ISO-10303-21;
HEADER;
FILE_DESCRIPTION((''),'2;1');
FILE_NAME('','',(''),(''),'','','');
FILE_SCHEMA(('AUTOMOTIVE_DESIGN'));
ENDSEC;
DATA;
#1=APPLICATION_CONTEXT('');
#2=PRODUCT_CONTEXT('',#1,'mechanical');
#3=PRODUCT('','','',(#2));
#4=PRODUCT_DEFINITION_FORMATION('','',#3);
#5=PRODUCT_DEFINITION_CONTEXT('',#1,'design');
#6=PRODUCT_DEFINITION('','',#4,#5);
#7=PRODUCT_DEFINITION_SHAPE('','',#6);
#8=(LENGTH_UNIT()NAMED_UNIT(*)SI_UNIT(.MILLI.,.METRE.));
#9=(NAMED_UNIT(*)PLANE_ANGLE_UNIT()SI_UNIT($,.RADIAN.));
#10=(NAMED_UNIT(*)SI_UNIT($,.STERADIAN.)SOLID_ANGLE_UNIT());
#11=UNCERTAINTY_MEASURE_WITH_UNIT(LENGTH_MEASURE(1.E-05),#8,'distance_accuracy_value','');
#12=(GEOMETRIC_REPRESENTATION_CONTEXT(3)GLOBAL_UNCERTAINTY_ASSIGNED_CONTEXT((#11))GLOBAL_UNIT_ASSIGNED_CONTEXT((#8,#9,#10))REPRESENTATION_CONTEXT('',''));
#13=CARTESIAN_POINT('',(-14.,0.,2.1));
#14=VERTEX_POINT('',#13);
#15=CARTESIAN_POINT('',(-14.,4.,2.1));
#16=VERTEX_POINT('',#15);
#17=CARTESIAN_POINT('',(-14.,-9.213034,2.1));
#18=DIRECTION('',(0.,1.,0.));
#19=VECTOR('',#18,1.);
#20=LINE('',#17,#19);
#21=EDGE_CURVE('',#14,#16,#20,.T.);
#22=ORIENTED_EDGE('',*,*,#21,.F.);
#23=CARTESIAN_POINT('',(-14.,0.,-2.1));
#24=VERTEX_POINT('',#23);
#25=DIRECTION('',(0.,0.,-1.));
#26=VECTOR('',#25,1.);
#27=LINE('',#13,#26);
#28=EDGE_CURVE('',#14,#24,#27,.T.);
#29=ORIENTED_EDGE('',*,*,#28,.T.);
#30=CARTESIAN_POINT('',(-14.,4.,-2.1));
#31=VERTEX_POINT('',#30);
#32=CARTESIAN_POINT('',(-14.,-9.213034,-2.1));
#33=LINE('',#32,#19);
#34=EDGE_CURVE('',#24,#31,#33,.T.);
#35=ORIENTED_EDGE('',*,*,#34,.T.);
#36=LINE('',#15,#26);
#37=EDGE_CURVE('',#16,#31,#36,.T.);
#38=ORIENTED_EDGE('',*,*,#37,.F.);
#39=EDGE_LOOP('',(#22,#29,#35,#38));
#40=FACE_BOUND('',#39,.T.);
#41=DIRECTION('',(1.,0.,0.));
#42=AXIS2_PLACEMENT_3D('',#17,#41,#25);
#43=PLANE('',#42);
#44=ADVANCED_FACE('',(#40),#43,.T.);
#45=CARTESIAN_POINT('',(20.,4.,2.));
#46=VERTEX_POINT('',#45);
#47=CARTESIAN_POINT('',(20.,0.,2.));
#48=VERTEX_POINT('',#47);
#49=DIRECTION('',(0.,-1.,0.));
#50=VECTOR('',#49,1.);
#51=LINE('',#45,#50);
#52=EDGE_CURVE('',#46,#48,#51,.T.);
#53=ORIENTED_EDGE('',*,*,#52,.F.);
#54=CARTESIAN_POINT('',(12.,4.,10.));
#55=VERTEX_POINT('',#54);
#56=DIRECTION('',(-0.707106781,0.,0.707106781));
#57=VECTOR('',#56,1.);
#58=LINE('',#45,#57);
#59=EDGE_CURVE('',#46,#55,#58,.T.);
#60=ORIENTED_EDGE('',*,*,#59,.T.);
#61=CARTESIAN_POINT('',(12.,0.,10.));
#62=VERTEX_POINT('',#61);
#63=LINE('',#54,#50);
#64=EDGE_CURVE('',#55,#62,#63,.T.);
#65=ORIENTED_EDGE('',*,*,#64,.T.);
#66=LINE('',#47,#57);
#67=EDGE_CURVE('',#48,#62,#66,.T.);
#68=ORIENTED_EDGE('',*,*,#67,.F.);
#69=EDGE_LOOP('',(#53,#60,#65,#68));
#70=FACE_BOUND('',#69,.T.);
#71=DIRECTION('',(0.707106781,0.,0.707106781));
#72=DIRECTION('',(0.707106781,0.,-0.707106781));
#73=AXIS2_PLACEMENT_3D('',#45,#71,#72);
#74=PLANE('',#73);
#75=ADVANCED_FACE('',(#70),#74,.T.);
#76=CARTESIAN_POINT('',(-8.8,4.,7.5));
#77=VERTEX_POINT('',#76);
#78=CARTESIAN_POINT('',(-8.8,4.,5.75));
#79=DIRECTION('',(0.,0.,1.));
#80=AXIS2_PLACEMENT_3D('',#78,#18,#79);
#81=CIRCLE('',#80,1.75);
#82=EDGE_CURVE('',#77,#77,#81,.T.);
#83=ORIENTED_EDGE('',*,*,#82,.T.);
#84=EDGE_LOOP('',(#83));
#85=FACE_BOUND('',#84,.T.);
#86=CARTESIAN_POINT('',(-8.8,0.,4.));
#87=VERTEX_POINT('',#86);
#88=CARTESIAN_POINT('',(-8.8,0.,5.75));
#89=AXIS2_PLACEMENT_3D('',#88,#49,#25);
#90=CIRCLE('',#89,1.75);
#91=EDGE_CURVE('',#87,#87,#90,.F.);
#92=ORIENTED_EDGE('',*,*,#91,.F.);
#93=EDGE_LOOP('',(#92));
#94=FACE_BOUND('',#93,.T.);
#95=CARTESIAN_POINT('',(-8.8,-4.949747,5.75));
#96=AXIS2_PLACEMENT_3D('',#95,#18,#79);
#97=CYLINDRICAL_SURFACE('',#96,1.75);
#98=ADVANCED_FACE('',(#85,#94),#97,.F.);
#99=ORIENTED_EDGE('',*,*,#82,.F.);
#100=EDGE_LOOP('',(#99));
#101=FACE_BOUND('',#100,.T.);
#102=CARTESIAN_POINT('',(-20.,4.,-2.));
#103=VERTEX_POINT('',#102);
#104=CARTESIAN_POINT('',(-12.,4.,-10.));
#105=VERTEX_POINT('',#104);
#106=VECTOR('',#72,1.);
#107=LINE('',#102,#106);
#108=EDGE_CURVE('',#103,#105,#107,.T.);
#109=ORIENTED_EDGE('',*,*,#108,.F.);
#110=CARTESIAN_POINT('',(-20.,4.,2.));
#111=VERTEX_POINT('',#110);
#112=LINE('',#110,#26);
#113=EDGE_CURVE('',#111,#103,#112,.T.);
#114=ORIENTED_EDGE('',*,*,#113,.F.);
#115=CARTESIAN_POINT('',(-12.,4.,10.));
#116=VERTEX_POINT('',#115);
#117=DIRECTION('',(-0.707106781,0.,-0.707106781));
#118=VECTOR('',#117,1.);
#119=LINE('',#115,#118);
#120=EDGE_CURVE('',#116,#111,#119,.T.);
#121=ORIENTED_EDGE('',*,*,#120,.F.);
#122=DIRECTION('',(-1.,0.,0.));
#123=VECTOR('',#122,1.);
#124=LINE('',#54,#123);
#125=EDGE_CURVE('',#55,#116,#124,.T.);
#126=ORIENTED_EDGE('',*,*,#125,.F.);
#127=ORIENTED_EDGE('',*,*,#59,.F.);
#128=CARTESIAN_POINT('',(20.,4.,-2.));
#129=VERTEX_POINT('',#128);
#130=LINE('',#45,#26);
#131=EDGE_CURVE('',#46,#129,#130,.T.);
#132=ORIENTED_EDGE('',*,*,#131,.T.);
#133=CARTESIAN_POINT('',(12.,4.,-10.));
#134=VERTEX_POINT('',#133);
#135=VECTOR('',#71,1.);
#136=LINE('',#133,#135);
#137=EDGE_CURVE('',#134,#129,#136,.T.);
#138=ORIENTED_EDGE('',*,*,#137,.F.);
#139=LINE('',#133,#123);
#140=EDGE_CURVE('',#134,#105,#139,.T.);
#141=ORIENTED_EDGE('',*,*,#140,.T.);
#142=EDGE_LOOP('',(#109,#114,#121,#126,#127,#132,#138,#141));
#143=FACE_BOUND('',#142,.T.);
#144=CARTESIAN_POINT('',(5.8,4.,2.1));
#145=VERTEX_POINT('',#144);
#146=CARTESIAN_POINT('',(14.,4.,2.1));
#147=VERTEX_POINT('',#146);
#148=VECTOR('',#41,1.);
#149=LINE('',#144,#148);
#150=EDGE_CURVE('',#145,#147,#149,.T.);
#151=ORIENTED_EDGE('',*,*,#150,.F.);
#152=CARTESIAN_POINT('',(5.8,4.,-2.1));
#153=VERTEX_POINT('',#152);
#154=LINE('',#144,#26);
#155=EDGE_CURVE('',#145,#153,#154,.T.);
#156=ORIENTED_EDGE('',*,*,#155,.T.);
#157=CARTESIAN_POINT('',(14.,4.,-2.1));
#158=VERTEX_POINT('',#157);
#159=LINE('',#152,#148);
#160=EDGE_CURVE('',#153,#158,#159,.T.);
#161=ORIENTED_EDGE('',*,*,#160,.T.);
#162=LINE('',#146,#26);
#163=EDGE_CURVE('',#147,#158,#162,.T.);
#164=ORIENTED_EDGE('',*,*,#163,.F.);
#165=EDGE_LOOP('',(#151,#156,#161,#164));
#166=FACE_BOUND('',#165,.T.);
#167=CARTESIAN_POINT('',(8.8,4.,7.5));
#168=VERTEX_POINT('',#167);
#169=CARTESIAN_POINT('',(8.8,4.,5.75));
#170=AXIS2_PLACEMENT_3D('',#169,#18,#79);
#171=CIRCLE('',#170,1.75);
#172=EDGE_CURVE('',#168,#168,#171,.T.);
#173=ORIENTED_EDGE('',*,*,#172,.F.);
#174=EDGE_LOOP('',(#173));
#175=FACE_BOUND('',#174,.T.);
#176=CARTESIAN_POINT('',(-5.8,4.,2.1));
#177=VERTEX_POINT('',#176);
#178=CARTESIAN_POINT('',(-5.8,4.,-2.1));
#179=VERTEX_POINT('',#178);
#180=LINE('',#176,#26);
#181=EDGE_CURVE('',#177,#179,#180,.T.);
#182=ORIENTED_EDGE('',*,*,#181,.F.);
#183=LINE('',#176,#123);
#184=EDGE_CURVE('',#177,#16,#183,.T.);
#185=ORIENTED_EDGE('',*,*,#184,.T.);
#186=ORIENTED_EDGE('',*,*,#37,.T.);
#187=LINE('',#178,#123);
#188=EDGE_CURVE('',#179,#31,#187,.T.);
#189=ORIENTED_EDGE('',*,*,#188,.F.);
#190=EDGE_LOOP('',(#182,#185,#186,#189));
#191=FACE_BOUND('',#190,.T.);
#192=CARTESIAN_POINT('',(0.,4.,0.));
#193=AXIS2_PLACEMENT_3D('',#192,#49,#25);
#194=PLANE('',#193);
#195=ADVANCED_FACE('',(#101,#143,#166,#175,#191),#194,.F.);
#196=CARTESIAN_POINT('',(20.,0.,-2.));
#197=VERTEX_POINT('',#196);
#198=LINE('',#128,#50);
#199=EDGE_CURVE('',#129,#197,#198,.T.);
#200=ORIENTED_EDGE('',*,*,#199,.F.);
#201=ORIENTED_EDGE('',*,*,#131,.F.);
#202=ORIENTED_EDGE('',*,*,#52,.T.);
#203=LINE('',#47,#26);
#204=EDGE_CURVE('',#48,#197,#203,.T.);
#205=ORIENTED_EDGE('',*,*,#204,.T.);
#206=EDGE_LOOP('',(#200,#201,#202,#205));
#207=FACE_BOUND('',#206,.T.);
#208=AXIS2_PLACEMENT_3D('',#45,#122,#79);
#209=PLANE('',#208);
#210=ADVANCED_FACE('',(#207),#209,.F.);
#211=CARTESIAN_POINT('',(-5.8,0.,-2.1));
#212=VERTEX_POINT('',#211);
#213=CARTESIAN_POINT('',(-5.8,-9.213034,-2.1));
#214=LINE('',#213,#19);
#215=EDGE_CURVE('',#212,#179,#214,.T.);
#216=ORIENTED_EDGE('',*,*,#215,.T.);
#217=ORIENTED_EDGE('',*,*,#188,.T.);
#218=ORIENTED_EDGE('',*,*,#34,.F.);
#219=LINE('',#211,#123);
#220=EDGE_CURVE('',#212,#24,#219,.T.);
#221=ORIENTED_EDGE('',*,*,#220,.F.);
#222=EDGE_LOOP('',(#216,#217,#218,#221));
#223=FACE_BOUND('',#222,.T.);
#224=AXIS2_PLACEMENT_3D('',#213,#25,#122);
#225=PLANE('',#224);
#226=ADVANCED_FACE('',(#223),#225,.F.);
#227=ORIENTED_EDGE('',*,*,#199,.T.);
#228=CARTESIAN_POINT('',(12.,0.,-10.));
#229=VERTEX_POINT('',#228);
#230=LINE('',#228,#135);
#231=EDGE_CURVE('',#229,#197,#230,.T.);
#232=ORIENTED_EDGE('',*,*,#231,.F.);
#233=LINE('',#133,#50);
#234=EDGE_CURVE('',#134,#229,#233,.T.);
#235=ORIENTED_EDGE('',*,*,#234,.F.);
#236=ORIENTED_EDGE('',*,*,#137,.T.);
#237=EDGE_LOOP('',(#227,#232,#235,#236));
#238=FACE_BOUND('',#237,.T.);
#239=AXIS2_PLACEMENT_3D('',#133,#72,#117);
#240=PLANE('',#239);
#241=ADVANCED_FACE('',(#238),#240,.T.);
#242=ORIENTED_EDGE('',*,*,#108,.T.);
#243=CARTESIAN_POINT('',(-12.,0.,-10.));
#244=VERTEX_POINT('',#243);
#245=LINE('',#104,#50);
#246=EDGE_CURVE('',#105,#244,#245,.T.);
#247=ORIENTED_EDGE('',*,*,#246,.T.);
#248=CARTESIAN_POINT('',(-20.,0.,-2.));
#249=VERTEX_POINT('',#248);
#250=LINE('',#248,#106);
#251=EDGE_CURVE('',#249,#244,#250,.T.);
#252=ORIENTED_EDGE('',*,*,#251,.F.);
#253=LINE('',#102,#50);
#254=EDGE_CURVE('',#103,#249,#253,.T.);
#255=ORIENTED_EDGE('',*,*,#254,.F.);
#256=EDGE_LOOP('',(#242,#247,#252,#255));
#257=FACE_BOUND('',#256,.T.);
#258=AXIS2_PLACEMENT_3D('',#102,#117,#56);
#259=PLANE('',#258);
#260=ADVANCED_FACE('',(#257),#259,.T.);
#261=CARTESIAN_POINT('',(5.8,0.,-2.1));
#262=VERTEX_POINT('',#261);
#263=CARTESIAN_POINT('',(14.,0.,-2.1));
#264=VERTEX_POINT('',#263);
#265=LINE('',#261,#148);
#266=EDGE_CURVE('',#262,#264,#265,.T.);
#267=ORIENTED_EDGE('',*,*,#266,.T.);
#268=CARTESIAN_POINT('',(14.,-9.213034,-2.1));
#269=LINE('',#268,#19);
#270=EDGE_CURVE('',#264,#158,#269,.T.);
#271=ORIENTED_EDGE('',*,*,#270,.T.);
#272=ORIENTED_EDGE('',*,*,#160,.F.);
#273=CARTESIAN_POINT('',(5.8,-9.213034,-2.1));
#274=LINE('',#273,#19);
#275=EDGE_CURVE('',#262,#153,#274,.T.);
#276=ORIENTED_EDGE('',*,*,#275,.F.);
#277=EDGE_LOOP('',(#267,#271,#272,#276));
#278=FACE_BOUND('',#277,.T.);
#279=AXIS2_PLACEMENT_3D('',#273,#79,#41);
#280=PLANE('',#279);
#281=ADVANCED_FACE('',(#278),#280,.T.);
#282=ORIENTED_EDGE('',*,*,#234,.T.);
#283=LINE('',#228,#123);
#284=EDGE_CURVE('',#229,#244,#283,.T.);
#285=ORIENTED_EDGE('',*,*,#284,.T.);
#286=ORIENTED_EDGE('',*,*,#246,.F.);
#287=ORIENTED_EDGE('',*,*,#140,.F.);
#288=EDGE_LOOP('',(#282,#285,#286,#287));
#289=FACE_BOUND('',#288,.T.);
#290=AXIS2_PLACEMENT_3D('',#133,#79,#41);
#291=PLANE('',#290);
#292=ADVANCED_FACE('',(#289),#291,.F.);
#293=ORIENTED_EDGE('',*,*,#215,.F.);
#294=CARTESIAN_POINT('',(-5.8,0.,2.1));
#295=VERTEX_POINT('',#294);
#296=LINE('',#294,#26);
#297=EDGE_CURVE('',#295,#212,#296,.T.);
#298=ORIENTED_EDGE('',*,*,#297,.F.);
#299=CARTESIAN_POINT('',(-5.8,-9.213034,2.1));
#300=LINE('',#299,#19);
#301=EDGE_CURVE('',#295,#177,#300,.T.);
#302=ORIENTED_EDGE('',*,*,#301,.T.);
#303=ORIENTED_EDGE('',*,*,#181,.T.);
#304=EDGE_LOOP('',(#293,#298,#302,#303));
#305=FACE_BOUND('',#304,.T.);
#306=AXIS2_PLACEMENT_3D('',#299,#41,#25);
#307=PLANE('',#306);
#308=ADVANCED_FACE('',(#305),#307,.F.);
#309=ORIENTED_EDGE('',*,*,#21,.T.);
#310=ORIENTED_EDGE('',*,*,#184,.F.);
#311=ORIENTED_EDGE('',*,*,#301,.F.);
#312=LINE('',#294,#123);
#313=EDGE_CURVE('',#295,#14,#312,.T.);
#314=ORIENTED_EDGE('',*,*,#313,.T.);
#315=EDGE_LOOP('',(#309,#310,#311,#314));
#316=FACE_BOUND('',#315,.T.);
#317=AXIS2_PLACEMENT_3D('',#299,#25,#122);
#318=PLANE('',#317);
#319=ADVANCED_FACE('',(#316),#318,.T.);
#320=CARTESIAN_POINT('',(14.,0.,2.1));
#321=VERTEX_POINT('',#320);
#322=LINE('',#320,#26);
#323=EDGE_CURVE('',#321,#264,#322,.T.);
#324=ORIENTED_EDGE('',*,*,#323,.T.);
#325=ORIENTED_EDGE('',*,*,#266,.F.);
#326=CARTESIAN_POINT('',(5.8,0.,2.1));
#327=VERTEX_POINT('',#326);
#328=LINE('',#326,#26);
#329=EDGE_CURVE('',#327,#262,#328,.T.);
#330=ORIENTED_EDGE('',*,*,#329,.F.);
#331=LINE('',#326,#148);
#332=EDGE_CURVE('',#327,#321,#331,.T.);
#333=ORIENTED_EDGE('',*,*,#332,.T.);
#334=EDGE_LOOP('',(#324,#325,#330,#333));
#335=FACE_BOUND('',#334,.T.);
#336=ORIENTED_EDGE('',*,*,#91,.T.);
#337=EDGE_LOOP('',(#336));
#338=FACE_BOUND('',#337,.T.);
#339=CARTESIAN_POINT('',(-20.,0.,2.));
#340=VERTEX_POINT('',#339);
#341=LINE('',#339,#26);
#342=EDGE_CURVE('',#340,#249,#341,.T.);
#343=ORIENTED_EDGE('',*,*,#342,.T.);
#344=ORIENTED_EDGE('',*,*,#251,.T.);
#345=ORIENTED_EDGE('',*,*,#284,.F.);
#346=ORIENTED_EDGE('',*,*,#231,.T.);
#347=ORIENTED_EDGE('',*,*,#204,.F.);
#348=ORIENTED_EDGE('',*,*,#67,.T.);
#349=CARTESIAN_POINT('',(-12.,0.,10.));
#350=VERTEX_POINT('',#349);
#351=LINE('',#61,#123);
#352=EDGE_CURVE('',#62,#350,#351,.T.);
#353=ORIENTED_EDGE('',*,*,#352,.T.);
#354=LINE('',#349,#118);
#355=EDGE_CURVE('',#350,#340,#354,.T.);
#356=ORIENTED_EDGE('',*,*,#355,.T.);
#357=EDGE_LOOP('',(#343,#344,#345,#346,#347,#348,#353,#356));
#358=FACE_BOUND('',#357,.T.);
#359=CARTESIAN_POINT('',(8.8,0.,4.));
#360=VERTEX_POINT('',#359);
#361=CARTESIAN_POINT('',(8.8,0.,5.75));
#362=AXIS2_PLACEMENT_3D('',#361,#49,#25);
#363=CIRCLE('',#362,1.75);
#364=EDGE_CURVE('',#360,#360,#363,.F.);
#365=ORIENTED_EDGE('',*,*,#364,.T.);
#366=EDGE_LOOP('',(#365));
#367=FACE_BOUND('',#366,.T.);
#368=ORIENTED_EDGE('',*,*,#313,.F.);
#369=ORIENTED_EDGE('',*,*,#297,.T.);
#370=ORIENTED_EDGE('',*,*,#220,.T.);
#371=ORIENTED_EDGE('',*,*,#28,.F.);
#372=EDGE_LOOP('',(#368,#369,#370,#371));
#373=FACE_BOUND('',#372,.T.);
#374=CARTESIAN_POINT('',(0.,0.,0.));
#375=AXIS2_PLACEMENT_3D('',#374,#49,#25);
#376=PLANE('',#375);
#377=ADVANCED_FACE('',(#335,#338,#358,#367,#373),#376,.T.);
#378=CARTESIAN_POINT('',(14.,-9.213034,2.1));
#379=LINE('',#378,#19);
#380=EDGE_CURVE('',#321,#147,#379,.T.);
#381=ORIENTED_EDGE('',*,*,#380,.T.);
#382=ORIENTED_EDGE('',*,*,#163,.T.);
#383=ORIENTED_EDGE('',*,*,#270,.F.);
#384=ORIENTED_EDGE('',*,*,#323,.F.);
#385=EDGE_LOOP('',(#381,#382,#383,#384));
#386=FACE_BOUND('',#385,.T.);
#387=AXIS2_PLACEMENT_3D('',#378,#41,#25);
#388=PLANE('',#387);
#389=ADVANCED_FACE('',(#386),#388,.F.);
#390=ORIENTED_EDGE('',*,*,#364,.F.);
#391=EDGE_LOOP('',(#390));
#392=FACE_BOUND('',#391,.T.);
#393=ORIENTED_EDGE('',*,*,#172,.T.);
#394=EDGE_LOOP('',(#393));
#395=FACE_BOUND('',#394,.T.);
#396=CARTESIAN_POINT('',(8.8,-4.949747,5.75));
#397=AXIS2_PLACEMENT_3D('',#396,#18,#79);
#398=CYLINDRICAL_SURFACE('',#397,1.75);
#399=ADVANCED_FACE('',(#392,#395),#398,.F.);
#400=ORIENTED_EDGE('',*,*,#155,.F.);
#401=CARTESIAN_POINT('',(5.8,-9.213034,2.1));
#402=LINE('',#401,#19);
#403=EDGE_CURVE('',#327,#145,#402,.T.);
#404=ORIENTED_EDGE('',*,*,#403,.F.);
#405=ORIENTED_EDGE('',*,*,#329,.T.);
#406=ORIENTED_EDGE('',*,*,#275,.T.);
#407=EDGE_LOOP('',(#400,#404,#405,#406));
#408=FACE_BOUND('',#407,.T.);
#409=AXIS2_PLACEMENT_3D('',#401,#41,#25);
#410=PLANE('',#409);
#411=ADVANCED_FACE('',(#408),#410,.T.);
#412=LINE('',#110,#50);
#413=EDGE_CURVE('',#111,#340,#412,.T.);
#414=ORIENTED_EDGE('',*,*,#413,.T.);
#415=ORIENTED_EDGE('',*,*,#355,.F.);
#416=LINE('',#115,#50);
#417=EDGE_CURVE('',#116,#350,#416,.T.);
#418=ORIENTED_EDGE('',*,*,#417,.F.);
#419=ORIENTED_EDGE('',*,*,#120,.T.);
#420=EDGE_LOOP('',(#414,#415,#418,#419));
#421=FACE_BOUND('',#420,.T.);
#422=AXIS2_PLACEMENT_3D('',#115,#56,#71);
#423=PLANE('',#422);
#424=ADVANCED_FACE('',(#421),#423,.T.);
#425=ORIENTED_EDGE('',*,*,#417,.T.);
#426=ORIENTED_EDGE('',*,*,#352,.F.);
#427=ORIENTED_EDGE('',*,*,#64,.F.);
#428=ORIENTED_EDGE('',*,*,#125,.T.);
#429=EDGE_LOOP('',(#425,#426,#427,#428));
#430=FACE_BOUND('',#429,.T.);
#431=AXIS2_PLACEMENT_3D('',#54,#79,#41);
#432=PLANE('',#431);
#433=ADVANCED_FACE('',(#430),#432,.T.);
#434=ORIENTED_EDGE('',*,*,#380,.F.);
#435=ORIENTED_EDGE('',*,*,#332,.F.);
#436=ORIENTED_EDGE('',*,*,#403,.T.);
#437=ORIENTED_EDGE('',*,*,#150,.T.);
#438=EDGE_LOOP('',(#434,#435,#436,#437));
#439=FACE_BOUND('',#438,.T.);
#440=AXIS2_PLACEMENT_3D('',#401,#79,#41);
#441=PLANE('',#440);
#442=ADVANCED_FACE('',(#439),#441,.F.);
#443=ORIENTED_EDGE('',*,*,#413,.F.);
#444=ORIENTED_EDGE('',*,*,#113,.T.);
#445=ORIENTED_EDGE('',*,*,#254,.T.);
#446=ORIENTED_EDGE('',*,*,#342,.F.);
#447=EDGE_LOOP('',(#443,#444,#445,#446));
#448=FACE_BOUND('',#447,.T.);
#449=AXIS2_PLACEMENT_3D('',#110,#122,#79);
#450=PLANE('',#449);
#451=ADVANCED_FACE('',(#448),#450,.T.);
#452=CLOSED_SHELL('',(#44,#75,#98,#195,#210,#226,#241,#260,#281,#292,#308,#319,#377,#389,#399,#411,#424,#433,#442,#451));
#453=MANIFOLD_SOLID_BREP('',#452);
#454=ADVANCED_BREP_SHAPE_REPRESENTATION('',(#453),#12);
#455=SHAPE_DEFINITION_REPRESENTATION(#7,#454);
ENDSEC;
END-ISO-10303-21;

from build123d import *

# Parameters (mm, degrees)
BOSS_EXTRUDE1_DEPTH = 4
SKETCH2_W           = 8.2
SKETCH2_H           = 4.2
CUT_EXTRUDE1_DEPTH  = 4
SKETCH3_R           = 1.75
CUT_EXTRUDE2_DEPTH  = 4


with BuildPart() as part:
    # Sketch1 → Boss-Extrude1 (new body)
    with BuildSketch(Plane(origin=(0, 0, 0), x_dir=(1, 0, 0), z_dir=(0, 1, 0))):
        Polygon((12, -10), (-12, -10), (-20, -2), (-20, 2), (-12, 10), (12, 10), (20, 2), (20, -2), align=None)
    extrude(amount=BOSS_EXTRUDE1_DEPTH)

    # Sketch2 → Cut-Extrude1 (cut)
    with BuildSketch(Plane(origin=(0, 4, 0), x_dir=(1, 0, 0), z_dir=(0, 1, 0))):
        with Locations((9.9, 0)):
            Rectangle(SKETCH2_W, SKETCH2_H)
        with Locations((-9.9, 0)):
            Rectangle(SKETCH2_W, SKETCH2_H)
    extrude(amount=-CUT_EXTRUDE1_DEPTH, mode=Mode.SUBTRACT)

    # Sketch3 → Cut-Extrude2 (cut)
    with BuildSketch(Plane(origin=(0, 4, 0), x_dir=(1, 0, 0), z_dir=(0, 1, 0))):
        with Locations((-8.8, -5.75)):
            Circle(SKETCH3_R)
        with Locations((8.8, -5.75)):
            Circle(SKETCH3_R)
    extrude(amount=-CUT_EXTRUDE2_DEPTH, mode=Mode.SUBTRACT)


solid = part.part
